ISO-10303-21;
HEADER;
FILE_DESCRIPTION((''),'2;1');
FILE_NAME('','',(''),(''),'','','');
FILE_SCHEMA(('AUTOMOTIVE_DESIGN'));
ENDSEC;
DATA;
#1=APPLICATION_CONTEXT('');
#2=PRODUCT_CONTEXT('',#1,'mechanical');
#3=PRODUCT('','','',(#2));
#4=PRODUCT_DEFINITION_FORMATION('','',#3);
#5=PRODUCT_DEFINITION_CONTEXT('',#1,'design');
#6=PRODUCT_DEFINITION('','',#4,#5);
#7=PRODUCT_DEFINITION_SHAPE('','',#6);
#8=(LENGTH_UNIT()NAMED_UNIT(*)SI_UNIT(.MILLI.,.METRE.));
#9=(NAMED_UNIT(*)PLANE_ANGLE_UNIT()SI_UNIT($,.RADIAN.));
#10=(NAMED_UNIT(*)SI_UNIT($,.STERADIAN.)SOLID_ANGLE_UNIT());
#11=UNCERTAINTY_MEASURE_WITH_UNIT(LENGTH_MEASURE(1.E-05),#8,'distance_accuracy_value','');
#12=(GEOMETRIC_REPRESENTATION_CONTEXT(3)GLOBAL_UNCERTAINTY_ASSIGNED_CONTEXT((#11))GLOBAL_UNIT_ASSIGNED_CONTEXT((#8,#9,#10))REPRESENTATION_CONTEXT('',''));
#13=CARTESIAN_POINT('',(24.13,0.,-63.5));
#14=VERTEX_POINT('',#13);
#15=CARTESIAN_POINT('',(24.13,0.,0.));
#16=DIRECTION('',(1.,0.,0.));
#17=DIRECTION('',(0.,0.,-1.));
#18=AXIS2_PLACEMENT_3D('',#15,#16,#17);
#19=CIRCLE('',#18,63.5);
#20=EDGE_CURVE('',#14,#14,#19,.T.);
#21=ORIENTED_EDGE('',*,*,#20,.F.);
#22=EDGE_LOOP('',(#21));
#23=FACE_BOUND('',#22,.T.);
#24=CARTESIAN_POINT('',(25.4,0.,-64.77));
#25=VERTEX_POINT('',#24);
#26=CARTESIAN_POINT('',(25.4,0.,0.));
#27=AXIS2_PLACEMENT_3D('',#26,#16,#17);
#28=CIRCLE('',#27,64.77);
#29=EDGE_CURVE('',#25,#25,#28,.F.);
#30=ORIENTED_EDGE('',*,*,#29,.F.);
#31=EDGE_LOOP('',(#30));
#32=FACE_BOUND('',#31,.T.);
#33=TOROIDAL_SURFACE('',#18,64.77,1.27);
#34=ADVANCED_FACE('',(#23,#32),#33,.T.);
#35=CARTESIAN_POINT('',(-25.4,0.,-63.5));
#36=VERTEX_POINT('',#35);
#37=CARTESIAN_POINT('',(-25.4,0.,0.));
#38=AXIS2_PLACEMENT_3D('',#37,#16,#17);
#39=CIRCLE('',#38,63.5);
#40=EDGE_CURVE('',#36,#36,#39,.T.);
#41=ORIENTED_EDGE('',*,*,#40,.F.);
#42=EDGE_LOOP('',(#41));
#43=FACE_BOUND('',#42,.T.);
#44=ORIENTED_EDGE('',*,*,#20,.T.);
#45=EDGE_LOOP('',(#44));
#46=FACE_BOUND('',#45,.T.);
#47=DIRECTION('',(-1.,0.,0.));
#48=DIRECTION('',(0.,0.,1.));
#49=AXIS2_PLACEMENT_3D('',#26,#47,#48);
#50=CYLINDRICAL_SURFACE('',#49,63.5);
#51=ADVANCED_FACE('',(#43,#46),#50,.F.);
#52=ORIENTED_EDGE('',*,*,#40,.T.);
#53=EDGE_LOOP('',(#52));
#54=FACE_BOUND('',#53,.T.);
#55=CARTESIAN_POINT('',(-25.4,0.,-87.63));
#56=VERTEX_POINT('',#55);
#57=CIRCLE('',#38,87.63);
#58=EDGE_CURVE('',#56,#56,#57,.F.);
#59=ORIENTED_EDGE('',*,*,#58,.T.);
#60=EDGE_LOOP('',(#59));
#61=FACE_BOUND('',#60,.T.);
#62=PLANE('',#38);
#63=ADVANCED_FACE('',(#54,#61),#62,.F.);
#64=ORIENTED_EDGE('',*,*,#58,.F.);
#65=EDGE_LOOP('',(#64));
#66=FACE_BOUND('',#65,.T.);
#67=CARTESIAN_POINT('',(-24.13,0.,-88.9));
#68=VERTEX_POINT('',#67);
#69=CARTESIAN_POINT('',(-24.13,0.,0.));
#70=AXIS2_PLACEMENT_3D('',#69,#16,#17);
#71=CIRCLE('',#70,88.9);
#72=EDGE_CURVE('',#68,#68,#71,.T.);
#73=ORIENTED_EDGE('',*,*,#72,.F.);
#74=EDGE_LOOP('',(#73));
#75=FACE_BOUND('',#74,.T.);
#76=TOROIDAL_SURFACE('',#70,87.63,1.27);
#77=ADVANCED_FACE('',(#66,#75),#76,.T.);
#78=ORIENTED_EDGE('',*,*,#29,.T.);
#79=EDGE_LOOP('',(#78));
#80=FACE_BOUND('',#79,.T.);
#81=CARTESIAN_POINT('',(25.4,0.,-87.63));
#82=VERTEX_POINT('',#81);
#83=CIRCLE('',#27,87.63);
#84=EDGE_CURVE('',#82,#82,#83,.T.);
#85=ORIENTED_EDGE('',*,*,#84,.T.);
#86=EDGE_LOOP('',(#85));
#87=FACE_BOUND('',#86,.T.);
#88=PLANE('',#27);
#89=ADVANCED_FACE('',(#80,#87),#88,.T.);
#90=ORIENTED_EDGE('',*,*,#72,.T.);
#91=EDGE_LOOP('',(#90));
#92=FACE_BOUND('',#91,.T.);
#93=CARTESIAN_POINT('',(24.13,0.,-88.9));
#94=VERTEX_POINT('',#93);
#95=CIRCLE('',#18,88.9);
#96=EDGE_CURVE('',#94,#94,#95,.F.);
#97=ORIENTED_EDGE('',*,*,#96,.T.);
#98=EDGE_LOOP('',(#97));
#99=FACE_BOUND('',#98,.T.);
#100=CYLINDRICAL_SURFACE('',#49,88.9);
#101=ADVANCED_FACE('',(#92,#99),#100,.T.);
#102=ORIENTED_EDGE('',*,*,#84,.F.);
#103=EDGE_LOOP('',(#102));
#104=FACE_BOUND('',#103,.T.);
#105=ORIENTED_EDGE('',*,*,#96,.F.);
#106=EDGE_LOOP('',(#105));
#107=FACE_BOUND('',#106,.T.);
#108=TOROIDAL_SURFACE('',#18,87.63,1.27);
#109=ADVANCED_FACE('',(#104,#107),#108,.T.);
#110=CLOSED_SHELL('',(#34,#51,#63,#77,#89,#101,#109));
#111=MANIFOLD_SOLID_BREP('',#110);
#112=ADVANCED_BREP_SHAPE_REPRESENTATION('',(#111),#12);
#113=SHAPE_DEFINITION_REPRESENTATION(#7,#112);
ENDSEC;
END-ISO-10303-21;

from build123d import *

# Parameters (mm, degrees)
SKETCH1_R           = 88.9
SKETCH1_R_2         = 63.5
BOSS_EXTRUDE1_DEPTH = 25.4
FILLET1_R           = 1.27


with BuildPart() as part:
    # Sketch1 → Boss-Extrude1 (new, symmetric)
    with BuildSketch(Plane(origin=(0, 0, 0), x_dir=(0, 0, -1), z_dir=(1, 0, 0))):
        Circle(SKETCH1_R)
        Circle(SKETCH1_R_2, mode=Mode.SUBTRACT)
    extrude(amount=BOSS_EXTRUDE1_DEPTH, both=True)

    # Fillet1
    fillet1_edges = [part.edges().sort_by_distance(p)[0] for p in [
        (-25.4, 0, 88.9),
        (25.4, 0, 88.9),
        (25.4, 0, 63.5),
    ]]
    fillet(fillet1_edges, radius=FILLET1_R)


solid = part.part
